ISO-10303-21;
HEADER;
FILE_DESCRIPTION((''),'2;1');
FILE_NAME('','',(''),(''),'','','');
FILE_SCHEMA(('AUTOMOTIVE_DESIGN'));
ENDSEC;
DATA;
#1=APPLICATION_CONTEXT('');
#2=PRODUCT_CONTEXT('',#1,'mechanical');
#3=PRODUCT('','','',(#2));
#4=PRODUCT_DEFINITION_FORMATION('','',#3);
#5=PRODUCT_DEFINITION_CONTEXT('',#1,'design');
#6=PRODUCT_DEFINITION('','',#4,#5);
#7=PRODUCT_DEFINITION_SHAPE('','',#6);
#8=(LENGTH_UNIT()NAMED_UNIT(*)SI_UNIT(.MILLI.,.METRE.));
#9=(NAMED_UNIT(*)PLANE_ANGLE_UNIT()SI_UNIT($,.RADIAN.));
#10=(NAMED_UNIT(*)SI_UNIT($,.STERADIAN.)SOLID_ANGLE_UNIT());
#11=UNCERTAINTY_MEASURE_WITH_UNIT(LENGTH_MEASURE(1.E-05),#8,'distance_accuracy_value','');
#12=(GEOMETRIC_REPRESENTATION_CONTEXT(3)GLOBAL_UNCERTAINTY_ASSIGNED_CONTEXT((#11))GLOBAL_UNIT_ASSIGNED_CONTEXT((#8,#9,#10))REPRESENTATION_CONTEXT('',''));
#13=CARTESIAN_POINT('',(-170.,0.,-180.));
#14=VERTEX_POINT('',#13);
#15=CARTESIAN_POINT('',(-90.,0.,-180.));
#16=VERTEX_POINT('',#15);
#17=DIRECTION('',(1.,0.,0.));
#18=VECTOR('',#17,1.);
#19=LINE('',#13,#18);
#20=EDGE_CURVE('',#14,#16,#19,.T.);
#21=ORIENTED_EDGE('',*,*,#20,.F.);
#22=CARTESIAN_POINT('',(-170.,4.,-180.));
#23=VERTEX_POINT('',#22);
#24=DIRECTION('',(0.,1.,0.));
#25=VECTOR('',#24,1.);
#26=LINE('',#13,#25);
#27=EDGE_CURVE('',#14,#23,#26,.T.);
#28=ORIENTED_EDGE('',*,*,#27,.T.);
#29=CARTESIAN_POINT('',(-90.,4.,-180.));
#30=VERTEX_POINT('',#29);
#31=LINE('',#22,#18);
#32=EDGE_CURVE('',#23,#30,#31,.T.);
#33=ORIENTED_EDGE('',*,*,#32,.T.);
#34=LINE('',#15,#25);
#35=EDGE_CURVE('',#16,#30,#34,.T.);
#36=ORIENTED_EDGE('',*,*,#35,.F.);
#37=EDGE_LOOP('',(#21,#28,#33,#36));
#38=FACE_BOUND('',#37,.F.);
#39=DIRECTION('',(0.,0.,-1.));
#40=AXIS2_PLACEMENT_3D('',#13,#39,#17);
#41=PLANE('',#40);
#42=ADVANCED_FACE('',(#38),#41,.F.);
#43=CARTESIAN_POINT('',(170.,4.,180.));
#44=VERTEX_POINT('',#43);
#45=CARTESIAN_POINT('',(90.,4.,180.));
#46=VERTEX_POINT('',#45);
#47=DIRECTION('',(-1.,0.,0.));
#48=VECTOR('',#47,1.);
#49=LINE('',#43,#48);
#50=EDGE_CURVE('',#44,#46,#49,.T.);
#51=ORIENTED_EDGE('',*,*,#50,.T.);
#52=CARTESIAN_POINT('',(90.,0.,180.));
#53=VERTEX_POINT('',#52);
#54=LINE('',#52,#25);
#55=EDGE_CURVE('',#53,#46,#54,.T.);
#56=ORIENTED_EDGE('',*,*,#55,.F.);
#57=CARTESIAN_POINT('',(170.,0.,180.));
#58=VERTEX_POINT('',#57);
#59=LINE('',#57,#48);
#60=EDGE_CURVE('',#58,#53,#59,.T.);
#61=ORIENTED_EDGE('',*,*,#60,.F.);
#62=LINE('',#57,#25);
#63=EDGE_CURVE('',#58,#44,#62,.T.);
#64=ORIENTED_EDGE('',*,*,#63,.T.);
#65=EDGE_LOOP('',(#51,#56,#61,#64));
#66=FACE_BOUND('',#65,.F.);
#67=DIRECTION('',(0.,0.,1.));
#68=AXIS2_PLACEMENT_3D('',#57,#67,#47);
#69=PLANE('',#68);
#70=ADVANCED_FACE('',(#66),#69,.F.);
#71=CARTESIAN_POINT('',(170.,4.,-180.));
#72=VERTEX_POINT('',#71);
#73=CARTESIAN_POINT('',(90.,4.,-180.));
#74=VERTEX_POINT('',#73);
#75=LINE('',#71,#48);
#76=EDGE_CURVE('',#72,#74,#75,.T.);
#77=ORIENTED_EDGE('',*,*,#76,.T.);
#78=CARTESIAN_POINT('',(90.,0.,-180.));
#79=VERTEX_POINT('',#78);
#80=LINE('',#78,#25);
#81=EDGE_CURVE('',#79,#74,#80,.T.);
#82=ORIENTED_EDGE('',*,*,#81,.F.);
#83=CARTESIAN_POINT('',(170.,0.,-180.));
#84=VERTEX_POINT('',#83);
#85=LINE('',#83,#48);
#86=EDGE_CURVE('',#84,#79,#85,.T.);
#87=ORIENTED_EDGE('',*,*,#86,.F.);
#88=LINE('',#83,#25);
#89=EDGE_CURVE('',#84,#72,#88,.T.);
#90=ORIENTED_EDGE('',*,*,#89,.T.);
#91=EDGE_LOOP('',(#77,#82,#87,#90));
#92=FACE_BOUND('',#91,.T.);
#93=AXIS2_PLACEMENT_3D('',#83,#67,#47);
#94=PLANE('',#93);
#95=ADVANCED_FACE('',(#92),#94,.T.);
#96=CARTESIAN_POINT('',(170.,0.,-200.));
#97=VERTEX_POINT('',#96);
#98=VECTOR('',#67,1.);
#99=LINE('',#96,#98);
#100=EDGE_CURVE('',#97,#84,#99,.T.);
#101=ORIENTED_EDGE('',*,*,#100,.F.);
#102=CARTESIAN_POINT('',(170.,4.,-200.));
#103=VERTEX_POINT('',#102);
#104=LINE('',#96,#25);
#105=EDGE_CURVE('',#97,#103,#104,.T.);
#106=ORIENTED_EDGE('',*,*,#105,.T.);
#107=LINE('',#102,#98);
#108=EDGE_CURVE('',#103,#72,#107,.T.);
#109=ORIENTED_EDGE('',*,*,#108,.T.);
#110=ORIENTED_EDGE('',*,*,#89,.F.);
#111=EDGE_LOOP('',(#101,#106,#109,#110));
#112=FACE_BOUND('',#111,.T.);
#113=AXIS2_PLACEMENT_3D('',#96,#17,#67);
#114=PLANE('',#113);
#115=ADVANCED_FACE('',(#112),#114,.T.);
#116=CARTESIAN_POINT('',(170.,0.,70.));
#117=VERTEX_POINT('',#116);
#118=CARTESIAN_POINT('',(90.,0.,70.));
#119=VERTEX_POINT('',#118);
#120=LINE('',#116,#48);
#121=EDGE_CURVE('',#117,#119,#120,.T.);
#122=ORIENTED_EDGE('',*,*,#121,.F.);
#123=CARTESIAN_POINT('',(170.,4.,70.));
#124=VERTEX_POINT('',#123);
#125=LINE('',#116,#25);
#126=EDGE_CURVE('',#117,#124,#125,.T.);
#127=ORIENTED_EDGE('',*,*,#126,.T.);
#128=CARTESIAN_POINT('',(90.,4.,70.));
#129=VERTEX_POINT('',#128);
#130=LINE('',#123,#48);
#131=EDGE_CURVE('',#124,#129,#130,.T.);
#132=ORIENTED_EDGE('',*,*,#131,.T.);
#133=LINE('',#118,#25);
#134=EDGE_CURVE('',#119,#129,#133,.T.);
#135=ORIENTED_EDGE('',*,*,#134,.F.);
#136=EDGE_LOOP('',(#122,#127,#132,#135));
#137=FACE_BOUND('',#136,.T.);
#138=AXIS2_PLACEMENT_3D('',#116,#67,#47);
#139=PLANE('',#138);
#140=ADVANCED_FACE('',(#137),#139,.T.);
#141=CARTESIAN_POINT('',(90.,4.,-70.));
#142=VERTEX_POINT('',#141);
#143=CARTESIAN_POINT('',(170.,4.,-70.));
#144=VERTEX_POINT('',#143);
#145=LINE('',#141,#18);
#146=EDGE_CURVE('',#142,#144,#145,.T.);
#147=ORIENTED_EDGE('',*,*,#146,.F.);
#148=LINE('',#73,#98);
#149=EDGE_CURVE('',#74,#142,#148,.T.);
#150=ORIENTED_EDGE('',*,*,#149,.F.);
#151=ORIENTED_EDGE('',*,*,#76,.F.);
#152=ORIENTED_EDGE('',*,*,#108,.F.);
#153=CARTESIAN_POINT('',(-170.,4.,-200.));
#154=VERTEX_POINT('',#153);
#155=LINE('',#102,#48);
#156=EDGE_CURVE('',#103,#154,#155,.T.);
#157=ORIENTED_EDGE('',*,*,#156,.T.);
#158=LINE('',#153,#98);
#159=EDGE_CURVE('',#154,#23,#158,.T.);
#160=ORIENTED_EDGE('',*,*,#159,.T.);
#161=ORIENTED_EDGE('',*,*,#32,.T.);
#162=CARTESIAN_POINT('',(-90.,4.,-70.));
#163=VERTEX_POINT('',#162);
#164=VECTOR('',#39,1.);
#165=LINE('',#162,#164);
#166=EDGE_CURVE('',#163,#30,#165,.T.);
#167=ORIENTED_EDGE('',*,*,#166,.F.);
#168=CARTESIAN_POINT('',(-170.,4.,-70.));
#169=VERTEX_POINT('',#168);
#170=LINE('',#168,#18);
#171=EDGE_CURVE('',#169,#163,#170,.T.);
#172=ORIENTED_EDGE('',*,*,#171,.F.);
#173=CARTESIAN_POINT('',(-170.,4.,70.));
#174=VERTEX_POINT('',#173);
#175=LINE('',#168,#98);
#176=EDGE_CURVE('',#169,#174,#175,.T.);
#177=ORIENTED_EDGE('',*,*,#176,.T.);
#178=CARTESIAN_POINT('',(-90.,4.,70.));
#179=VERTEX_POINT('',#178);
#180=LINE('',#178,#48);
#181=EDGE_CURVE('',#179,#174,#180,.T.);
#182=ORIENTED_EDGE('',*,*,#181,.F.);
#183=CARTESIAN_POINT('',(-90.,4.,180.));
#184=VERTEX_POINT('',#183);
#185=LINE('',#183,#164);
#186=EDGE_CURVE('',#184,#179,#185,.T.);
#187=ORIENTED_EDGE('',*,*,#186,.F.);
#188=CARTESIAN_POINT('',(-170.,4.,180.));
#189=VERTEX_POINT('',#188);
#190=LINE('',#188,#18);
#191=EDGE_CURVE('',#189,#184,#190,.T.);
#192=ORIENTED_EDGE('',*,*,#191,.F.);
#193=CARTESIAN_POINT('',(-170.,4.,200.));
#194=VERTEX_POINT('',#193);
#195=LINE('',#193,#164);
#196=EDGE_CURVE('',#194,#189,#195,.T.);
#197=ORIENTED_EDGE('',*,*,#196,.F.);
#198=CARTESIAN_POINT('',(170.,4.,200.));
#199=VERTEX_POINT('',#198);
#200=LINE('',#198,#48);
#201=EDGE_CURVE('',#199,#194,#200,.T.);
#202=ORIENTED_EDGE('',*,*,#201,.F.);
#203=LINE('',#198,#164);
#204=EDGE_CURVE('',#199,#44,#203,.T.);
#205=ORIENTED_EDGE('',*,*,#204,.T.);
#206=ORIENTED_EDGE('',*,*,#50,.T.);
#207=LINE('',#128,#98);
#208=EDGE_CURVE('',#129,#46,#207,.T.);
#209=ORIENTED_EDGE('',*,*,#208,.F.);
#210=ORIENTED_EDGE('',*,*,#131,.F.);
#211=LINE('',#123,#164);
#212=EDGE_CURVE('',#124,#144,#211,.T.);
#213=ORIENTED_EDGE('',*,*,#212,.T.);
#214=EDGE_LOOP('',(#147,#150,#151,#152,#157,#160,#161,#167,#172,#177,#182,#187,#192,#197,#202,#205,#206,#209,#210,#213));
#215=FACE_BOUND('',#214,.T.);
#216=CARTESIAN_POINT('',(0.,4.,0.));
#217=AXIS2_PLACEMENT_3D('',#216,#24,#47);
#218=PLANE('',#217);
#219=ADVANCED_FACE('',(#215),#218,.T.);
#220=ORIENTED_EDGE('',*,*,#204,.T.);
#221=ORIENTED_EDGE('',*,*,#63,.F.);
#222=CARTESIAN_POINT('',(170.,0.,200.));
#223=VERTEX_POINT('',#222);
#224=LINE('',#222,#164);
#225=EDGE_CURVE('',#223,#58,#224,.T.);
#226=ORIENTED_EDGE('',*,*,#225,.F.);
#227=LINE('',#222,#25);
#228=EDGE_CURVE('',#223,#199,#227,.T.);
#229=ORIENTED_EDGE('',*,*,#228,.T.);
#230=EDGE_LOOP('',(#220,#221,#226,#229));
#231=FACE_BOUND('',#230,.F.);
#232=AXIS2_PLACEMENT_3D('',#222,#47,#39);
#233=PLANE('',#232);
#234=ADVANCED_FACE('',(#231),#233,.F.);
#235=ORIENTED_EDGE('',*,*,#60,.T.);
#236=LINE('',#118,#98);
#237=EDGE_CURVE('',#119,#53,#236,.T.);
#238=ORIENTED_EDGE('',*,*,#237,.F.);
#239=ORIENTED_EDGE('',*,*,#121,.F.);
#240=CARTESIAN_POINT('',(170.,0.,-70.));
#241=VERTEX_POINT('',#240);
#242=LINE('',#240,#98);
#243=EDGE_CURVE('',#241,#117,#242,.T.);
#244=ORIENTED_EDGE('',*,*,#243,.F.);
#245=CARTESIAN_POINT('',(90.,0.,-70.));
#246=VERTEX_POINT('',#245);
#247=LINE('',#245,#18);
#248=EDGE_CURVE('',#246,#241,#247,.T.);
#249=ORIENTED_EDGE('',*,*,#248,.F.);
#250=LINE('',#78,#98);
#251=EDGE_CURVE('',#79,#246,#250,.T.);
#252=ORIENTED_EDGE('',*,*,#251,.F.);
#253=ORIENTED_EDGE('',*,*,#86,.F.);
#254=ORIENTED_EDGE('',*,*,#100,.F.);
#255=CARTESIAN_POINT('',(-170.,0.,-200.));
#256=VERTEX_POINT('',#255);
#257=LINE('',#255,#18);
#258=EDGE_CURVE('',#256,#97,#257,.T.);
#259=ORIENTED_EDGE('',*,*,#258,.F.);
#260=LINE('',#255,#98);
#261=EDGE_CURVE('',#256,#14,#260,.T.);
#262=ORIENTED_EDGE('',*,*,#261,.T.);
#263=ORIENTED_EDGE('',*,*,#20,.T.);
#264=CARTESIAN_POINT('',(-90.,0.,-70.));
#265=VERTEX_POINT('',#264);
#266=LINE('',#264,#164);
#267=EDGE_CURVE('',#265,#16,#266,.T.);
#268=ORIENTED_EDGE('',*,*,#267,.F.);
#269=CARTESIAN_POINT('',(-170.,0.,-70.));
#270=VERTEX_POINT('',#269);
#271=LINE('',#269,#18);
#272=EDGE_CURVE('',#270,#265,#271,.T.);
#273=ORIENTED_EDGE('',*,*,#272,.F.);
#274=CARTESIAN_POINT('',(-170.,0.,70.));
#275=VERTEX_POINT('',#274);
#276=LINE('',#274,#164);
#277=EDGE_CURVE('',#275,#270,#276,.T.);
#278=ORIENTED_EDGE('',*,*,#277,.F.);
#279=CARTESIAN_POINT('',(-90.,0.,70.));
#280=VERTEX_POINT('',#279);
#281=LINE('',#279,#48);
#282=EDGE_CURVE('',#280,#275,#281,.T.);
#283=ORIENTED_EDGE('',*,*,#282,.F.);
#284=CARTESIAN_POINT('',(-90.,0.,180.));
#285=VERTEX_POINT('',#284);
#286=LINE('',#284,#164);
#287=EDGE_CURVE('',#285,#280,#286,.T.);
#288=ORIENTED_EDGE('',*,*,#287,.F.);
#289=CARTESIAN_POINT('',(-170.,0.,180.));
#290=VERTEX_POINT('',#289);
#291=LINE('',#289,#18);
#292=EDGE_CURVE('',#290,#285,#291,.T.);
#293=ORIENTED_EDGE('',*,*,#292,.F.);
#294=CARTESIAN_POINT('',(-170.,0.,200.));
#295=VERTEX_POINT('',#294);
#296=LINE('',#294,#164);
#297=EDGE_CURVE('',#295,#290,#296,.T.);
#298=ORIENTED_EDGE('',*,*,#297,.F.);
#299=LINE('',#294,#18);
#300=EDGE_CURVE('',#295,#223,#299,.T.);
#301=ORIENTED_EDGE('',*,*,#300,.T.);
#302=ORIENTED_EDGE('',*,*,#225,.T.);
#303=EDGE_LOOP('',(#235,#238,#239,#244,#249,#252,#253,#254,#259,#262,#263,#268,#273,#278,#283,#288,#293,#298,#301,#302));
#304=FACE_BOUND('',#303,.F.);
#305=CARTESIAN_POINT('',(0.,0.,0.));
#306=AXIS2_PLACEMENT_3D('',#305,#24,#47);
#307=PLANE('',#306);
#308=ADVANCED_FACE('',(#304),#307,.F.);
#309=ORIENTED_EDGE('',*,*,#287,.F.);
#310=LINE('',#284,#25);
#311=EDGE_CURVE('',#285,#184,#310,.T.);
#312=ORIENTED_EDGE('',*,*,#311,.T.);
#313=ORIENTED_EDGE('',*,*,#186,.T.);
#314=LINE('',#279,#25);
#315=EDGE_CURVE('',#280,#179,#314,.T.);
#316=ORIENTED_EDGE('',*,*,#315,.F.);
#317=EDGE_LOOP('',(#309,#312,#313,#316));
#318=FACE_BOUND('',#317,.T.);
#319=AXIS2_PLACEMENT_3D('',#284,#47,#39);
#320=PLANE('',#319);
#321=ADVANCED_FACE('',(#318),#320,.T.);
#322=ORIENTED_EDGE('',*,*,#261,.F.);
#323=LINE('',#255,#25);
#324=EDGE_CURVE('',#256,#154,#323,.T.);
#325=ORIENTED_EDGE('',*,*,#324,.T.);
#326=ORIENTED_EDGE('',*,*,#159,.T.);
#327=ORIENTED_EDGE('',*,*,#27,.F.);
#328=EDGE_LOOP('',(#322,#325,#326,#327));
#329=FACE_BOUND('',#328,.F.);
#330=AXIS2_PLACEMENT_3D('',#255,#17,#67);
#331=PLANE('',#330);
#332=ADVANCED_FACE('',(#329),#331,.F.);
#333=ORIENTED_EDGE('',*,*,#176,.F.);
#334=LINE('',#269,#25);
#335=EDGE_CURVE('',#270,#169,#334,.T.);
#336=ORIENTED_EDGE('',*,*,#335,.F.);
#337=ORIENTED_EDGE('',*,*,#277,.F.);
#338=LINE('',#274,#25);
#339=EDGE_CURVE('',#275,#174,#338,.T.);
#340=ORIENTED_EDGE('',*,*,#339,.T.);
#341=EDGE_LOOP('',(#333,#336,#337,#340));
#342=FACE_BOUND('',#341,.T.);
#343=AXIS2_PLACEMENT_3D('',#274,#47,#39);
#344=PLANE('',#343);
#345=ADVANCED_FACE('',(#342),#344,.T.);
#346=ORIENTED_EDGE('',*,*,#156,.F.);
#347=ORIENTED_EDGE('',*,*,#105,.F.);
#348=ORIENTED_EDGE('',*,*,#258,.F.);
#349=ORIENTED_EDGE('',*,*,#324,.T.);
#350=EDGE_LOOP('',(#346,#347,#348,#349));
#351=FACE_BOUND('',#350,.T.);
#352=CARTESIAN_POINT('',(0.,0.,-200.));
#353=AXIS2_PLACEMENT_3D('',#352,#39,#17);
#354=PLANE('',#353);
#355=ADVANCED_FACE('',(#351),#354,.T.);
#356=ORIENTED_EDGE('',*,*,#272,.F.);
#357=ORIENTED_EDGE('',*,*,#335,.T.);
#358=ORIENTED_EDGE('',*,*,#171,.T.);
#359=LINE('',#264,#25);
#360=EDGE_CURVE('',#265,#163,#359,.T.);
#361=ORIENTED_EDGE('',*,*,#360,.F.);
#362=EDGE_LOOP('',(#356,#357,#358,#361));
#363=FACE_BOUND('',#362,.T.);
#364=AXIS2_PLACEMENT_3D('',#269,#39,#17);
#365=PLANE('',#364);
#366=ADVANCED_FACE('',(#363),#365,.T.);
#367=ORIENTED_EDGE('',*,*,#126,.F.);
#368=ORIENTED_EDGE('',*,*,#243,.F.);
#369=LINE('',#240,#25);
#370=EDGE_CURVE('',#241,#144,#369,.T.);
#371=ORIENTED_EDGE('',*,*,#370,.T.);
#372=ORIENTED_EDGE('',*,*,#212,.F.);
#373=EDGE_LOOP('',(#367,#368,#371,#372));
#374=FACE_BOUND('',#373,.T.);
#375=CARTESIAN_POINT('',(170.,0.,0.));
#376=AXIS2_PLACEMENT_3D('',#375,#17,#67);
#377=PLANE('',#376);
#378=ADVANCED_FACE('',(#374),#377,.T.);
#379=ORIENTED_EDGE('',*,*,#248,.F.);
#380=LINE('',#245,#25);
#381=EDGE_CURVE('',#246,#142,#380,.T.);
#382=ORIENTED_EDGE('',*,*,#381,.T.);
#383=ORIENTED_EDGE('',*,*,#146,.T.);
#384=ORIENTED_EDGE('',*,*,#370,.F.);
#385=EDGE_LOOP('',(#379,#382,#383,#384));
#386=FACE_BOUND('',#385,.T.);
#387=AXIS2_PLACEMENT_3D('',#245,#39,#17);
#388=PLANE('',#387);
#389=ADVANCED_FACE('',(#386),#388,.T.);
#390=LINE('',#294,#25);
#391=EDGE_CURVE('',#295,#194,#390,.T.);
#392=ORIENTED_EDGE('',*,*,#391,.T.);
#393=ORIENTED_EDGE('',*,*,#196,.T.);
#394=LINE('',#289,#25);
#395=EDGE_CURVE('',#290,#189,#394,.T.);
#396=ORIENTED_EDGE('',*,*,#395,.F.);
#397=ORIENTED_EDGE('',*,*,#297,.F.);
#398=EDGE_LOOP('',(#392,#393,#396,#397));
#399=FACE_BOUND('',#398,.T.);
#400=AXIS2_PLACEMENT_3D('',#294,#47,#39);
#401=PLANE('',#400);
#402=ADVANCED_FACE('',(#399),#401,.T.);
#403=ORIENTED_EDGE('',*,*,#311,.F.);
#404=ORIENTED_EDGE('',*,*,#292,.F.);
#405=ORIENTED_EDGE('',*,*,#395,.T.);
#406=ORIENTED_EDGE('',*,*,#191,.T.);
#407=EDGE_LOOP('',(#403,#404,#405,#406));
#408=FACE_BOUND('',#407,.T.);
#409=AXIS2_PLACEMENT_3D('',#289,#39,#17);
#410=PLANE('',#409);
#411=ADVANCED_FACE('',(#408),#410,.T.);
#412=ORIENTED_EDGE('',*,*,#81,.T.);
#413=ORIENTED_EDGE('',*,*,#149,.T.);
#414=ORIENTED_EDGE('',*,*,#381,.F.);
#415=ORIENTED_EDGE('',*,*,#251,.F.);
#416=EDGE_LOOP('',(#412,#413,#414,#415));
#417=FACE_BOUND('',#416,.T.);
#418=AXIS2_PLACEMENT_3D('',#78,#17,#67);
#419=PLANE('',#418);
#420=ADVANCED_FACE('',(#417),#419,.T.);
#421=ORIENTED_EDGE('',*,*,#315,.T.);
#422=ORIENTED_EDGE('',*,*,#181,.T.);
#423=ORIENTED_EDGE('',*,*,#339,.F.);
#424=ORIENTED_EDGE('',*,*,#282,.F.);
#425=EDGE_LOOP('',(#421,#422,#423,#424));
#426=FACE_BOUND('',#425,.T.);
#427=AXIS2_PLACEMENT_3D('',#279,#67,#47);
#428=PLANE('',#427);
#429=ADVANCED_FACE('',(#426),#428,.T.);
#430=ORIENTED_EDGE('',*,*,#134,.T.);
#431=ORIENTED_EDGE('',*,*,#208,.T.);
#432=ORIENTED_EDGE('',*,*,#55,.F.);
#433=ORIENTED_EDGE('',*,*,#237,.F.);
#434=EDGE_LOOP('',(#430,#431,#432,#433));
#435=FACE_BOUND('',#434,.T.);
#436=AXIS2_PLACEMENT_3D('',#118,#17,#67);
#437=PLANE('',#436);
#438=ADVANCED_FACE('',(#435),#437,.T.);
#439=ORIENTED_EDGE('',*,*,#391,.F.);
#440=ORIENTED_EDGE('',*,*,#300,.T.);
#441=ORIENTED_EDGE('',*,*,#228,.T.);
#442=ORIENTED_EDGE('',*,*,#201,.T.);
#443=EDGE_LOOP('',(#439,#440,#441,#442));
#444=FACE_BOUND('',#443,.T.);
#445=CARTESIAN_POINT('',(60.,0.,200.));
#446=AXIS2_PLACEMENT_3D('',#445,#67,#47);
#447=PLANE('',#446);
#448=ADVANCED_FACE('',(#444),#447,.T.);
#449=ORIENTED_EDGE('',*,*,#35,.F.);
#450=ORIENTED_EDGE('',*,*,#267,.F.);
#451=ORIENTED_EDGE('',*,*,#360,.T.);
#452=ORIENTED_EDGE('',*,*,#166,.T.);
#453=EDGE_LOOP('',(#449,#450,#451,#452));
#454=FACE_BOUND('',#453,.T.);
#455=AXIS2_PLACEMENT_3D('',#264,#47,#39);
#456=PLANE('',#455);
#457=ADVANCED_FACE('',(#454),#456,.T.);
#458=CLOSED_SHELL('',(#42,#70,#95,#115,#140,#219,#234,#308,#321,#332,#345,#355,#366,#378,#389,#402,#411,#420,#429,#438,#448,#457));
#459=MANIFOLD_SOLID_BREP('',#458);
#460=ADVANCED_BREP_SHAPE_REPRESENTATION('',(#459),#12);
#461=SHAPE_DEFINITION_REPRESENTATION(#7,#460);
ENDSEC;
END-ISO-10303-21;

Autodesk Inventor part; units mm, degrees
ref_plane "YZ Plane" through (0, 0, 0) normal (1, 0, 0) x (0, 1, 0)
ref_plane "XZ Plane" through (0, 0, 0) normal (0, 1, 0) x (-1, 0, 0)
ref_plane "XY Plane" through (0, 0, 0) normal (0, 0, 1) x (1, 0, 0)
sketch "Skizze1" plane through (0, 0, 0) normal (0, 1, 0) x (-1, 0, 0)
  line L0 (-60, 200) -> (129.9004, 200)
  line L1 (90, -200) -> (-90, -200)
  line L2 (-60, 200) -> (90, -200) construction
  line L3 (129.9004, 200) -> (-90, -200) construction
  line L4 (-60, 200) -> (-170, 200)
  line L5 (-170, 200) -> (-170, 180)
  line L6 (-170, 180) -> (-90, 180)
  line L7 (129.9004, 200) -> (170, 200)
  line L8 (170, 200) -> (170, 180)
  line L9 (170, 180) -> (90, 180)
  line L10 (-90, -200) -> (-170, -200)
  line L11 (-170, -200) -> (-170, -180)
  line L12 (-170, -180) -> (-90, -180)
  line L13 (90, -200) -> (170, -200)
  line L14 (170, -200) -> (170, -180)
  line L15 (170, -180) -> (90, -180)
  line L16 (-90, -70) -> (-170, -70)
  line L17 (-170, -70) -> (-170, 70)
  line L18 (-170, 70) -> (-90, 70)
  line L19 (233.2705, 0) -> (-241.4406, 0)
  line L20 (0, 254.3005) -> (0, -301.4948)
  line L21 (90, 70) -> (170, 70)
  line L22 (170, 70) -> (170, -70)
  line L23 (170, -70) -> (90, -70)
  line L24 (-90, -180) -> (-90, -70)
  line L25 (-90, 70) -> (-90, 180)
  line L26 (90, 180) -> (90, 70)
  line L27 (90, -70) -> (90, -180)
  point P0 (17.0074, -5.353)
  point P1 (-90, 0)
  dimension "d17" = 180
  dimension "d19" = 80
  dimension "d23" = 140
  dimension "d25" = 20
extrude "Extrusion1" add sketch "Skizze1" along normal blind 4
properties part number "Bodenplatte"
